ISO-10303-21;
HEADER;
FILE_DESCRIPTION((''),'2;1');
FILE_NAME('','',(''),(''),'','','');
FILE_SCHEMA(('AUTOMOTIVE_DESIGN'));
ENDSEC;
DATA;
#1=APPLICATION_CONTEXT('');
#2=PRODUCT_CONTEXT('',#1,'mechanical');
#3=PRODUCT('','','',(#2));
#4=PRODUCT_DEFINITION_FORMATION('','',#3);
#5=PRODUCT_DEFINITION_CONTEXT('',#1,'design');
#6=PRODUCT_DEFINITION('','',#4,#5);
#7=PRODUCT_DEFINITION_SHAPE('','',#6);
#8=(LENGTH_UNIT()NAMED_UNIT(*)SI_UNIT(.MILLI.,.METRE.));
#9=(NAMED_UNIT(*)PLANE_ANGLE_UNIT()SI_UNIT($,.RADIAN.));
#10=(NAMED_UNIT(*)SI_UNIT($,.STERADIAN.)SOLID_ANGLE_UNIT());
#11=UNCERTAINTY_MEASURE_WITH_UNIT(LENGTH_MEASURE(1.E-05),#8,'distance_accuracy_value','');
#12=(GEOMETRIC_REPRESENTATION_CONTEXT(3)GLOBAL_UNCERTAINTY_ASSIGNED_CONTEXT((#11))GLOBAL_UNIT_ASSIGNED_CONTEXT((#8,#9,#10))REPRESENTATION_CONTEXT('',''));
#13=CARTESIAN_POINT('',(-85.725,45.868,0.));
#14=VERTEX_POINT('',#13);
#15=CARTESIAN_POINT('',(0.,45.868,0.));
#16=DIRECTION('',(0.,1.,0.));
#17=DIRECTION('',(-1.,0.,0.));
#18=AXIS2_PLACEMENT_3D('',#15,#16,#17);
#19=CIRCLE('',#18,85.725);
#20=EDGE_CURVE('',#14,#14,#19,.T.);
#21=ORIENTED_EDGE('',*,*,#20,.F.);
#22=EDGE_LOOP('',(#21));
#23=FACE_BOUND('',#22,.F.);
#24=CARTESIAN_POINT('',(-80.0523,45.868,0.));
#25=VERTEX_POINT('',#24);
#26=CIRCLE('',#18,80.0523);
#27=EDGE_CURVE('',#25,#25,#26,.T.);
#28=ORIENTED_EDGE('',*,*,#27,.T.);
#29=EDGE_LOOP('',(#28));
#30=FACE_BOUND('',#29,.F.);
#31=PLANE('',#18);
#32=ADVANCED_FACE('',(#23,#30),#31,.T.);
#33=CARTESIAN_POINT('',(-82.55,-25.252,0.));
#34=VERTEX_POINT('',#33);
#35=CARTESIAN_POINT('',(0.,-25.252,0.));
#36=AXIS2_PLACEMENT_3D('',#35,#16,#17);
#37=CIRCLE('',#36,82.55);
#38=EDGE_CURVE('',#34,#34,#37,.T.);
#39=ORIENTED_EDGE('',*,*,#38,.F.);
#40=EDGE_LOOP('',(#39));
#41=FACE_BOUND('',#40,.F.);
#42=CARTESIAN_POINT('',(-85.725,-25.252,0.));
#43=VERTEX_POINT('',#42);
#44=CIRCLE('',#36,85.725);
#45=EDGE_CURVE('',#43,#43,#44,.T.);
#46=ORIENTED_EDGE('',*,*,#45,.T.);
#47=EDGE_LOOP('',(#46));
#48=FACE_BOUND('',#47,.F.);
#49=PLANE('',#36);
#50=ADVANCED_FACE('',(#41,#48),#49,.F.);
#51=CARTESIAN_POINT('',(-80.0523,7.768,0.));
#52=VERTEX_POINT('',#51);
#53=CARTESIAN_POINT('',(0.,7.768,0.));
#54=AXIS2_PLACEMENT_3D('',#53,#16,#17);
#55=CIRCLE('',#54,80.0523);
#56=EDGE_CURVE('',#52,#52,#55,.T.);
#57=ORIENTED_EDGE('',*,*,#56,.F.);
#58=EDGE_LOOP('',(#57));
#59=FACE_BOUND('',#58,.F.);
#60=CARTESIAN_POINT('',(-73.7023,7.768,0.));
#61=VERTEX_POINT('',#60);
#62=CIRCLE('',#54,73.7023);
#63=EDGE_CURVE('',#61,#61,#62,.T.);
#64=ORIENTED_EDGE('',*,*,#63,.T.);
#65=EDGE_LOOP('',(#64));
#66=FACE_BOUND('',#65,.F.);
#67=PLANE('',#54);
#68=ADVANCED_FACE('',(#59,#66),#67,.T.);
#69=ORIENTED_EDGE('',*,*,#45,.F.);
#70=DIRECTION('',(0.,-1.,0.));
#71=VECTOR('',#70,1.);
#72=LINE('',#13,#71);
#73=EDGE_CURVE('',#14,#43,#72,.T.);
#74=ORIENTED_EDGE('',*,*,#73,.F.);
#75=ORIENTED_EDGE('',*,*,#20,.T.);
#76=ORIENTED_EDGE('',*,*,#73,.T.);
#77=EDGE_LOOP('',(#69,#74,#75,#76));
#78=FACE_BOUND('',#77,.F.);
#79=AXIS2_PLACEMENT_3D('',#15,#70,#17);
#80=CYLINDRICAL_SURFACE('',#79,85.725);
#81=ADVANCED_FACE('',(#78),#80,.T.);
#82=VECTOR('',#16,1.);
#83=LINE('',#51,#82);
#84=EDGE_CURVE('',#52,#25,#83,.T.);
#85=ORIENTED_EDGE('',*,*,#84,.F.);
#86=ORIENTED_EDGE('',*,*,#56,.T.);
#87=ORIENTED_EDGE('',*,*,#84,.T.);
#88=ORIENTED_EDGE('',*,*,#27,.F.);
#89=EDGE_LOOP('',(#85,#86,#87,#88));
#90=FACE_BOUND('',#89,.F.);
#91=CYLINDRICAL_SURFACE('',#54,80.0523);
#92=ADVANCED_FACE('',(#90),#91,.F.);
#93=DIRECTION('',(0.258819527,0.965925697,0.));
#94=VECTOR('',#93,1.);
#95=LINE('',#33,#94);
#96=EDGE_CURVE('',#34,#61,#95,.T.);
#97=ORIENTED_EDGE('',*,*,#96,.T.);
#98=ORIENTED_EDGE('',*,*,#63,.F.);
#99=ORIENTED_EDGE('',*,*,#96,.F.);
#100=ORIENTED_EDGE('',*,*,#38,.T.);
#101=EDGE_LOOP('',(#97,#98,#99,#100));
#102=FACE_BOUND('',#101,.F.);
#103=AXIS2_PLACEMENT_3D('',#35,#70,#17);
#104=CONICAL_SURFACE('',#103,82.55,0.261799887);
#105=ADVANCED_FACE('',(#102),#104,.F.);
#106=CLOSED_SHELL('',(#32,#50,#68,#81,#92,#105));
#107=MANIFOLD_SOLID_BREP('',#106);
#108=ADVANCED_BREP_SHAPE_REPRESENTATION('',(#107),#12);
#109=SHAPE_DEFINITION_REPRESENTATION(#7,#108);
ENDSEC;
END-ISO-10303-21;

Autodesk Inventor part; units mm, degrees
ref_plane "YZ Plane" through (0, 0, 0) normal (1, 0, 0) x (0, 1, 0)
ref_plane "XZ Plane" through (0, 0, 0) normal (0, 1, 0) x (-1, 0, 0)
ref_plane "XY Plane" through (0, 0, 0) normal (0, 0, 1) x (1, 0, 0)
sketch "Sketch1" plane through (0, 0, 0) normal (0, 0, 1) x (1, 0, 0)
  line L0 (-85.725, -25.252) -> (-82.55, -25.252)
  line L1 (-82.55, -25.252) -> (-73.7023, 7.768)
  line L2 (-73.7023, 7.768) -> (-80.0523, 7.768)
  line L3 (-80.0523, 7.768) -> (-80.0523, 45.868)
  line L4 (-80.0523, 45.868) -> (-85.725, 45.868)
  line L5 (-85.725, 45.868) -> (-85.725, -25.252)
  line L6 (0, -39.476) -> (0, 60.092) projected
  point P0 (0, 0)
  dimension "d0" = 3.175
  dimension "d2" = 105
  dimension "d3" = 82.55
  dimension "d4" = 6.35
  dimension "d5" = 71.12
  dimension "d6" = 38.1
  dimension "d7" = 5.6727
  dimension "d10" = 73.7023
revolve "Revolution1" add sketch "Sketch1" angle 360 about axis through (0, -10, 0) along (0, 1, 0)
properties part number "Skirt"
